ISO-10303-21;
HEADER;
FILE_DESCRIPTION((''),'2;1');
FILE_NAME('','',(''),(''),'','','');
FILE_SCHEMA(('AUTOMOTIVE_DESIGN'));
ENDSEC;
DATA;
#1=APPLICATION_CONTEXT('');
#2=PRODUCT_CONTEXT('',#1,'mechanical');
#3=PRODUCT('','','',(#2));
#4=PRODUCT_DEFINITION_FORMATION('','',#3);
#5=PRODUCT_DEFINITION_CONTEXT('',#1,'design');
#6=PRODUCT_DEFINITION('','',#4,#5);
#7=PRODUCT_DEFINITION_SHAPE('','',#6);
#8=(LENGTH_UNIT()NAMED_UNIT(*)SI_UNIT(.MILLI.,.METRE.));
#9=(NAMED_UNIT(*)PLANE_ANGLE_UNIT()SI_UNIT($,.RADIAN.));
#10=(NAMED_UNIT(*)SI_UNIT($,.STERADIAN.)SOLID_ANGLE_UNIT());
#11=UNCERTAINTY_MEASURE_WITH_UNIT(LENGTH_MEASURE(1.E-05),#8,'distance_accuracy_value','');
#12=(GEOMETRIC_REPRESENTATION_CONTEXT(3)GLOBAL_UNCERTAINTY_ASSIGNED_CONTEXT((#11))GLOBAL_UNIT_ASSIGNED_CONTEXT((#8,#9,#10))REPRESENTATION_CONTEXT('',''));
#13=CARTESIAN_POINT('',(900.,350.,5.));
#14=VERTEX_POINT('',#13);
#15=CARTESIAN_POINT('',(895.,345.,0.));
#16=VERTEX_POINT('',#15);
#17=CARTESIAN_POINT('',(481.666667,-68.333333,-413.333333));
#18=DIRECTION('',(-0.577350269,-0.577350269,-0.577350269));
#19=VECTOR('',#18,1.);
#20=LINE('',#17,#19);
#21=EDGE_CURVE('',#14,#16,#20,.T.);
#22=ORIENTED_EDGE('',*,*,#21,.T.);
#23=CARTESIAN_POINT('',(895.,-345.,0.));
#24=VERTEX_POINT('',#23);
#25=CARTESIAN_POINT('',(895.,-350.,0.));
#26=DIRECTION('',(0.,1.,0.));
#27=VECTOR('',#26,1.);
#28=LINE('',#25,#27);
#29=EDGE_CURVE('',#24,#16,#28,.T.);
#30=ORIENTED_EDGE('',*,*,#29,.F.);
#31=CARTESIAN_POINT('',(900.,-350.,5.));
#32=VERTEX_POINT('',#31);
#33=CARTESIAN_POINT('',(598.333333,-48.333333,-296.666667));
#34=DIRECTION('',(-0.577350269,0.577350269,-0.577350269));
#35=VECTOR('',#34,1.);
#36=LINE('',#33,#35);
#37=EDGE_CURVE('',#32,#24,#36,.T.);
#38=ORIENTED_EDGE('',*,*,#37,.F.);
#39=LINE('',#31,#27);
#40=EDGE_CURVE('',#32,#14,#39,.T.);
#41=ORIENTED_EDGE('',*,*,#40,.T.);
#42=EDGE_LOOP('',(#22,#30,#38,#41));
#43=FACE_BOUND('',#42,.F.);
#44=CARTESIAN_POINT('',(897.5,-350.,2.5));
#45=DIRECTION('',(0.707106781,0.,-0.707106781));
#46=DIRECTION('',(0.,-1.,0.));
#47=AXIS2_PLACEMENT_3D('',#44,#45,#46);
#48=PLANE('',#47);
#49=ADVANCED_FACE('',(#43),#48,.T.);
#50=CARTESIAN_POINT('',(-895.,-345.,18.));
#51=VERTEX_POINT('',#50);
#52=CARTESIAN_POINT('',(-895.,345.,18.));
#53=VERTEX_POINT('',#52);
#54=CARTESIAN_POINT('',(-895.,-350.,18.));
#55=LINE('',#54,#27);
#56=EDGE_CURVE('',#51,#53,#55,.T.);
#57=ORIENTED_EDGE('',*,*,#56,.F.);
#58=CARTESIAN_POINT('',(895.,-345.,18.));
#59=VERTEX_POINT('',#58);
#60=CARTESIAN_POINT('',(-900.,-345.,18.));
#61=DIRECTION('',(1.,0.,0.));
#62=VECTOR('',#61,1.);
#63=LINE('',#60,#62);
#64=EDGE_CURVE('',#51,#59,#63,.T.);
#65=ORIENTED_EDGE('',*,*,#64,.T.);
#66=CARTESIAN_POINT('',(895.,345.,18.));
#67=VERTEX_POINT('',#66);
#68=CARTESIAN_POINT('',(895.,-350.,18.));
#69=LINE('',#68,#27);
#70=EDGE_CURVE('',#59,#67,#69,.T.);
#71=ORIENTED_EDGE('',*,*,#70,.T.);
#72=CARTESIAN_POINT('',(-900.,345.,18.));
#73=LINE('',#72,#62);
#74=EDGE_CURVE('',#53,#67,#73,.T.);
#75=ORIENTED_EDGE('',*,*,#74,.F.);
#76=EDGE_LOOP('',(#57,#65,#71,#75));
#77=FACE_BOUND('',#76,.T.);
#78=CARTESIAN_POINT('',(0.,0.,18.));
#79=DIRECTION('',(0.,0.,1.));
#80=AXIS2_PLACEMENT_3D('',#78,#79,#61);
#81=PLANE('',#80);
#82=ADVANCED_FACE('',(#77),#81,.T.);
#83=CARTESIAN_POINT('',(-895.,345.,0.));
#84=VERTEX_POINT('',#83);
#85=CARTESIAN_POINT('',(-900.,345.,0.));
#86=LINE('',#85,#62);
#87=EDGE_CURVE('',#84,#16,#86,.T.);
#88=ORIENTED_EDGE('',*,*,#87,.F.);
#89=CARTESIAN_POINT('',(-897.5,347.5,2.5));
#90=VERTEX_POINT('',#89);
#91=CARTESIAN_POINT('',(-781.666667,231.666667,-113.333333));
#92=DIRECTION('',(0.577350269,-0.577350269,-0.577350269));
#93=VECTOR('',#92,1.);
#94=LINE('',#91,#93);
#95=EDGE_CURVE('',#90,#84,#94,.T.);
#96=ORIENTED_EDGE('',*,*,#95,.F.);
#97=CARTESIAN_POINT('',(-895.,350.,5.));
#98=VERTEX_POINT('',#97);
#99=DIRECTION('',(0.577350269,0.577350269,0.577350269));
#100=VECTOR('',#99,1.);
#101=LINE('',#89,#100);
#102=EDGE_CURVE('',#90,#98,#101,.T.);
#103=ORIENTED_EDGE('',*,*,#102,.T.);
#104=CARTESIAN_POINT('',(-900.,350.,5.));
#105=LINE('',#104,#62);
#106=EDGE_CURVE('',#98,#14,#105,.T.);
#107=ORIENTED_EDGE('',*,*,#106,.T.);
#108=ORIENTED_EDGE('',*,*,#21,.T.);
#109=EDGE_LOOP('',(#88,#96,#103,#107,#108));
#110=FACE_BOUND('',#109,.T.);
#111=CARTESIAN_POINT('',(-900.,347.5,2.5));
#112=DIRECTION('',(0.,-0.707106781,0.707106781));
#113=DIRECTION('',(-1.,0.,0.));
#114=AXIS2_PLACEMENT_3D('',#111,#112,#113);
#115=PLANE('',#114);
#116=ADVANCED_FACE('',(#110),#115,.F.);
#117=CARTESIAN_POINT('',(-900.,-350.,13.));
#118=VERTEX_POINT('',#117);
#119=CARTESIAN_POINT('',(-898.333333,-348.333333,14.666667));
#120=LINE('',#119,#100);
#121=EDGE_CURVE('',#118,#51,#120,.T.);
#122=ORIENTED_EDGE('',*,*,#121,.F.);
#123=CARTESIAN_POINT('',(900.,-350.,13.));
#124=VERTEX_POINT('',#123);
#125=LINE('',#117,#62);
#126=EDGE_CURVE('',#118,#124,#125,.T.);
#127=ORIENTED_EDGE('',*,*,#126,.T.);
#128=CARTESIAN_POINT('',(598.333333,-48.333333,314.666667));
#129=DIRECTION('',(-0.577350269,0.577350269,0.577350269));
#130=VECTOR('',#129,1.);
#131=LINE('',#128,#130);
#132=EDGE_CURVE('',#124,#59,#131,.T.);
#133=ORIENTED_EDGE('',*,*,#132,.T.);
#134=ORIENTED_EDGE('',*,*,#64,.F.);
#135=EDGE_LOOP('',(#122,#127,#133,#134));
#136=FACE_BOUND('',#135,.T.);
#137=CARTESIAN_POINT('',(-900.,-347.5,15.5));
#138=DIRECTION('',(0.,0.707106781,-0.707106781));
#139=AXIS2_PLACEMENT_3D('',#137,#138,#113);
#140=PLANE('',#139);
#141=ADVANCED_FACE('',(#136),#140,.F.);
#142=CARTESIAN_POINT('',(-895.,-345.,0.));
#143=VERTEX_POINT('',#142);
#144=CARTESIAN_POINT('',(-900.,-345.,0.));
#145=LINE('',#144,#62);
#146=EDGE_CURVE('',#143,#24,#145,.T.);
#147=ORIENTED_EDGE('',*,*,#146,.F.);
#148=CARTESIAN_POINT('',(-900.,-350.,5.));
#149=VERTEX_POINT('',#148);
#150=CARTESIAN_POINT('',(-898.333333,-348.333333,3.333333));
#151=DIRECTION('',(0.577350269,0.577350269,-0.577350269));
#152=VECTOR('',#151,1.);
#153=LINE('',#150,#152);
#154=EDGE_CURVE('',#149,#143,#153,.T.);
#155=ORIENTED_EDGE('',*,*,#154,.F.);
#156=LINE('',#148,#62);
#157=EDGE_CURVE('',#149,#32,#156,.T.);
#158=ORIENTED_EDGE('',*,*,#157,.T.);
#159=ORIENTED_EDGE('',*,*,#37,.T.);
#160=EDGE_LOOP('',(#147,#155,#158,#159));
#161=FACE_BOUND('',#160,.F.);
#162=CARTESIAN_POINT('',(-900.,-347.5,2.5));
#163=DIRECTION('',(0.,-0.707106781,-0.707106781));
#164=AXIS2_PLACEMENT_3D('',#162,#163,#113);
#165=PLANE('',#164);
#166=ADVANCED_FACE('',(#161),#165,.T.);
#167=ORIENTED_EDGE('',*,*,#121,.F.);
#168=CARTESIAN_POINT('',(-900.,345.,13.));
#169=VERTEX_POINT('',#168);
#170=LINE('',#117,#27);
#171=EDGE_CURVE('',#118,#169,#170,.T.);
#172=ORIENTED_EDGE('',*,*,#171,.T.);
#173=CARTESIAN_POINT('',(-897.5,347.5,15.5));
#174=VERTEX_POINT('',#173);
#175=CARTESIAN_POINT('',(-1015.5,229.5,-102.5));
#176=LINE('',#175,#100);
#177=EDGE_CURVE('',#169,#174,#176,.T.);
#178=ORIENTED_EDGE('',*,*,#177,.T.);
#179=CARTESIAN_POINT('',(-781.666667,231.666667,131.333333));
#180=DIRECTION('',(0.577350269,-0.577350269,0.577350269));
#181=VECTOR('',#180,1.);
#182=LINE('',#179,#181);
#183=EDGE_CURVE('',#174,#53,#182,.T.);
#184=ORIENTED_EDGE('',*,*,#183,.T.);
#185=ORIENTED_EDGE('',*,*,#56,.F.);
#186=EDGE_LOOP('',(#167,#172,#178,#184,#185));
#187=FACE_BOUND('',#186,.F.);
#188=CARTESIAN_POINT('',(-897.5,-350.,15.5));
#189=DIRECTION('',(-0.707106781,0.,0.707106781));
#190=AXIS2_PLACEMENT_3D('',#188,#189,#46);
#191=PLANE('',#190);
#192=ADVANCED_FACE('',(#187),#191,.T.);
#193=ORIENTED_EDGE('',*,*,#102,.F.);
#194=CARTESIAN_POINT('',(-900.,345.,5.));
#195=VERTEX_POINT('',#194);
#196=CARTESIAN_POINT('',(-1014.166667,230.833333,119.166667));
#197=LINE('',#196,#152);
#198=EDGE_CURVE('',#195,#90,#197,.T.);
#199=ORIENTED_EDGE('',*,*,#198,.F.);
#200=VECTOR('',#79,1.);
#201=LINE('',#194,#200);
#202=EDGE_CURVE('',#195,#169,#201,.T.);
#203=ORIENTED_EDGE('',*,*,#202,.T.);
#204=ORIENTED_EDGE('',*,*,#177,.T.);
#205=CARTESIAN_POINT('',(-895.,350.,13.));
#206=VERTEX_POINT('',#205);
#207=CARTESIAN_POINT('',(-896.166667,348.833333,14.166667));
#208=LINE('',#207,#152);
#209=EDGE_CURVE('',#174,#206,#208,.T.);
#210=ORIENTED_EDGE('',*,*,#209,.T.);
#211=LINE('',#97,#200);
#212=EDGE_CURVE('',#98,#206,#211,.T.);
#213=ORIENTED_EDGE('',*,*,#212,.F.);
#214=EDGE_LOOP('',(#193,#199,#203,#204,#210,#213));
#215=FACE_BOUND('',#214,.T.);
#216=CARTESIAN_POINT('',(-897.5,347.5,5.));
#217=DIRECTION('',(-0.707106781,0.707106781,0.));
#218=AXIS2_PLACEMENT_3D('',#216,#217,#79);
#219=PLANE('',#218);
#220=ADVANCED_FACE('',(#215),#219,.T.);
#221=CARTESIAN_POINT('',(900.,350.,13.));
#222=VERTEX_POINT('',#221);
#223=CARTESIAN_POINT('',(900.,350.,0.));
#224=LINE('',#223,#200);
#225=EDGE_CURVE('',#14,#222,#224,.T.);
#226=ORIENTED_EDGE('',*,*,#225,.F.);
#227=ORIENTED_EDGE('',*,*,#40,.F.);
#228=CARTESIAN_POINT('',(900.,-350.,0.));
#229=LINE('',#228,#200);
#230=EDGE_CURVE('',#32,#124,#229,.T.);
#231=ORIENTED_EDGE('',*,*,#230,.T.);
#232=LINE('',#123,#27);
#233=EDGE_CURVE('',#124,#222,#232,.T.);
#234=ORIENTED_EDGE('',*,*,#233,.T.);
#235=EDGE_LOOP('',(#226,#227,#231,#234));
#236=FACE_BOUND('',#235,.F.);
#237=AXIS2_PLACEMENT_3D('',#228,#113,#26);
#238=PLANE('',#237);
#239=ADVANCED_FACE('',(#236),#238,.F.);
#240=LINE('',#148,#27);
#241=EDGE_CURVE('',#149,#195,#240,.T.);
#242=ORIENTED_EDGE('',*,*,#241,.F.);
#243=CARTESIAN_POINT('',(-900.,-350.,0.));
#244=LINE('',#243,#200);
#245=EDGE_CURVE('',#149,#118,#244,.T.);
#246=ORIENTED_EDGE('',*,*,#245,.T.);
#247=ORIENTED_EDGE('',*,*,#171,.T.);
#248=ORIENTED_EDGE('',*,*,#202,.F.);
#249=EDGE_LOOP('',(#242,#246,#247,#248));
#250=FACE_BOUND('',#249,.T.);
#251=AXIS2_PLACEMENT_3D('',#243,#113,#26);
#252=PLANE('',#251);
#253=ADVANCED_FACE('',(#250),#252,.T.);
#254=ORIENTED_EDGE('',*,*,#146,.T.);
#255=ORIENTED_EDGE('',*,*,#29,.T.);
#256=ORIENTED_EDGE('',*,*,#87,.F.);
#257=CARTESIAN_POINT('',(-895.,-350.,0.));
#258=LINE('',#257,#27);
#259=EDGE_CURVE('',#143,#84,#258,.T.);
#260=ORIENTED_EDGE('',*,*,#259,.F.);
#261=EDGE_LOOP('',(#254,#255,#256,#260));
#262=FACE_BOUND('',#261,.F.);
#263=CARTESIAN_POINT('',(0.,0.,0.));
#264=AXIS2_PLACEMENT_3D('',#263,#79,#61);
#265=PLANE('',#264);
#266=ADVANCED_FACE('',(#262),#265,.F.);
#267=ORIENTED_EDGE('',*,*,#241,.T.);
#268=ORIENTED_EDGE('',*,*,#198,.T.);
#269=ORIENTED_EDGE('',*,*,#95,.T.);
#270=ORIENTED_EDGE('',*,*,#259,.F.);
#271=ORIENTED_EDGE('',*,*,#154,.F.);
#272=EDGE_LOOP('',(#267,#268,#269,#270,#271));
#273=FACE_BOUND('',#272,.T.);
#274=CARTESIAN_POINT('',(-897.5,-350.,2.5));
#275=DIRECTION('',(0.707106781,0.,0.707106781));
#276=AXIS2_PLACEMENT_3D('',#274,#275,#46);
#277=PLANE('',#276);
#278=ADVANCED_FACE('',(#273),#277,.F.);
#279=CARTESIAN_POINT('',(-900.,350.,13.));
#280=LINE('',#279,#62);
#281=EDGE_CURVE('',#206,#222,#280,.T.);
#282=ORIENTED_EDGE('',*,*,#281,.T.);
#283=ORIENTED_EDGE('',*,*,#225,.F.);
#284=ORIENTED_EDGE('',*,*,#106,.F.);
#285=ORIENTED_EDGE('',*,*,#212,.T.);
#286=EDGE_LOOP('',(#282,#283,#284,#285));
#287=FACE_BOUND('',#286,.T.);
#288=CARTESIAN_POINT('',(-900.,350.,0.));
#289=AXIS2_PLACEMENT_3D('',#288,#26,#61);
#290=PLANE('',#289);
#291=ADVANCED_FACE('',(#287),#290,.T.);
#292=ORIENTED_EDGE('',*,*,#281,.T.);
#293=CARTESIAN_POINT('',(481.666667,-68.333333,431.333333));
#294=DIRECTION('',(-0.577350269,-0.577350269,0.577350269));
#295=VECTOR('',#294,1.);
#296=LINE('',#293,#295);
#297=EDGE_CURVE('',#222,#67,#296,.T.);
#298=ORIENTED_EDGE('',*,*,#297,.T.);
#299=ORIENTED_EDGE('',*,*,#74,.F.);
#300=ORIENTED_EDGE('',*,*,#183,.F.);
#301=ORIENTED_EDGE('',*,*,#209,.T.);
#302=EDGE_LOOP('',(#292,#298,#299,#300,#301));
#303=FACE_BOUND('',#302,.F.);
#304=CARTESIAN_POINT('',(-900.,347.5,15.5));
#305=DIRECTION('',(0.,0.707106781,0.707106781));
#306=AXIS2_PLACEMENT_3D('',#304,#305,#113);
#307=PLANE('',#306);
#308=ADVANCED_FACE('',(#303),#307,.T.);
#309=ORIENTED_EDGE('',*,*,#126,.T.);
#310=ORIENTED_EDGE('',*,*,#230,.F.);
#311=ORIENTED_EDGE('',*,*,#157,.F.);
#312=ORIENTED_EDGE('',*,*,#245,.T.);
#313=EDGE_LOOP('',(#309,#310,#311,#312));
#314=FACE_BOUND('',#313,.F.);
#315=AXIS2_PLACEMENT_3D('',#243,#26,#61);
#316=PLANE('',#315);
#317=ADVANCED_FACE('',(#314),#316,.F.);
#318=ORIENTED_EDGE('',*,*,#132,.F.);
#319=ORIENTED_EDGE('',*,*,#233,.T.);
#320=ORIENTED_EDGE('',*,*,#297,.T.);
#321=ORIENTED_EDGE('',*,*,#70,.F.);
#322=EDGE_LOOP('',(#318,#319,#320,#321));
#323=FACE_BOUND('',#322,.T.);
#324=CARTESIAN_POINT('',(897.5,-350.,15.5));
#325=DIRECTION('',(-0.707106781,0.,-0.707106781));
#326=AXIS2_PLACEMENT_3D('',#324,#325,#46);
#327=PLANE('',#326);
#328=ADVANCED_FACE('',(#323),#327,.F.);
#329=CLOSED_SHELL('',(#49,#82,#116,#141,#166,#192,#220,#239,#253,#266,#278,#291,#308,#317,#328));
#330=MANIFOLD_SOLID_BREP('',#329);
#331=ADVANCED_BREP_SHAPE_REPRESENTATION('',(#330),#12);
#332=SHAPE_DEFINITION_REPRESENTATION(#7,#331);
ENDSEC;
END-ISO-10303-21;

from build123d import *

# Parameters (mm, degrees)
F0_W     = 1800
F0_H     = 700
F1_DEPTH = 18
F2_SIZE  = 5
F3_SIZE  = 5


with BuildPart() as f1:
    # F0 (on Top) → F1 (new body)
    with BuildSketch(Plane.XY):
        Rectangle(F0_W, F0_H)
    extrude(amount=F1_DEPTH)

    # F2
    f2_edges = [f1.edges().sort_by_distance(p)[0] for p in [
        (900, 0, 18),
        (0, 350, 18),
        (-900, 0, 18),
        (0, -350, 18),
        (900, 0, 0),
        (0, 350, 0),
        (-900, 0, 0),
        (0, -350, 0),
    ]]
    chamfer(f2_edges, length=F2_SIZE)

    # F3
    f3_edges = [f1.edges().sort_by_distance(p)[0] for p in [
        (-900, 350, 9),
    ]]
    chamfer(f3_edges, length=F3_SIZE)


solid = f1.part
